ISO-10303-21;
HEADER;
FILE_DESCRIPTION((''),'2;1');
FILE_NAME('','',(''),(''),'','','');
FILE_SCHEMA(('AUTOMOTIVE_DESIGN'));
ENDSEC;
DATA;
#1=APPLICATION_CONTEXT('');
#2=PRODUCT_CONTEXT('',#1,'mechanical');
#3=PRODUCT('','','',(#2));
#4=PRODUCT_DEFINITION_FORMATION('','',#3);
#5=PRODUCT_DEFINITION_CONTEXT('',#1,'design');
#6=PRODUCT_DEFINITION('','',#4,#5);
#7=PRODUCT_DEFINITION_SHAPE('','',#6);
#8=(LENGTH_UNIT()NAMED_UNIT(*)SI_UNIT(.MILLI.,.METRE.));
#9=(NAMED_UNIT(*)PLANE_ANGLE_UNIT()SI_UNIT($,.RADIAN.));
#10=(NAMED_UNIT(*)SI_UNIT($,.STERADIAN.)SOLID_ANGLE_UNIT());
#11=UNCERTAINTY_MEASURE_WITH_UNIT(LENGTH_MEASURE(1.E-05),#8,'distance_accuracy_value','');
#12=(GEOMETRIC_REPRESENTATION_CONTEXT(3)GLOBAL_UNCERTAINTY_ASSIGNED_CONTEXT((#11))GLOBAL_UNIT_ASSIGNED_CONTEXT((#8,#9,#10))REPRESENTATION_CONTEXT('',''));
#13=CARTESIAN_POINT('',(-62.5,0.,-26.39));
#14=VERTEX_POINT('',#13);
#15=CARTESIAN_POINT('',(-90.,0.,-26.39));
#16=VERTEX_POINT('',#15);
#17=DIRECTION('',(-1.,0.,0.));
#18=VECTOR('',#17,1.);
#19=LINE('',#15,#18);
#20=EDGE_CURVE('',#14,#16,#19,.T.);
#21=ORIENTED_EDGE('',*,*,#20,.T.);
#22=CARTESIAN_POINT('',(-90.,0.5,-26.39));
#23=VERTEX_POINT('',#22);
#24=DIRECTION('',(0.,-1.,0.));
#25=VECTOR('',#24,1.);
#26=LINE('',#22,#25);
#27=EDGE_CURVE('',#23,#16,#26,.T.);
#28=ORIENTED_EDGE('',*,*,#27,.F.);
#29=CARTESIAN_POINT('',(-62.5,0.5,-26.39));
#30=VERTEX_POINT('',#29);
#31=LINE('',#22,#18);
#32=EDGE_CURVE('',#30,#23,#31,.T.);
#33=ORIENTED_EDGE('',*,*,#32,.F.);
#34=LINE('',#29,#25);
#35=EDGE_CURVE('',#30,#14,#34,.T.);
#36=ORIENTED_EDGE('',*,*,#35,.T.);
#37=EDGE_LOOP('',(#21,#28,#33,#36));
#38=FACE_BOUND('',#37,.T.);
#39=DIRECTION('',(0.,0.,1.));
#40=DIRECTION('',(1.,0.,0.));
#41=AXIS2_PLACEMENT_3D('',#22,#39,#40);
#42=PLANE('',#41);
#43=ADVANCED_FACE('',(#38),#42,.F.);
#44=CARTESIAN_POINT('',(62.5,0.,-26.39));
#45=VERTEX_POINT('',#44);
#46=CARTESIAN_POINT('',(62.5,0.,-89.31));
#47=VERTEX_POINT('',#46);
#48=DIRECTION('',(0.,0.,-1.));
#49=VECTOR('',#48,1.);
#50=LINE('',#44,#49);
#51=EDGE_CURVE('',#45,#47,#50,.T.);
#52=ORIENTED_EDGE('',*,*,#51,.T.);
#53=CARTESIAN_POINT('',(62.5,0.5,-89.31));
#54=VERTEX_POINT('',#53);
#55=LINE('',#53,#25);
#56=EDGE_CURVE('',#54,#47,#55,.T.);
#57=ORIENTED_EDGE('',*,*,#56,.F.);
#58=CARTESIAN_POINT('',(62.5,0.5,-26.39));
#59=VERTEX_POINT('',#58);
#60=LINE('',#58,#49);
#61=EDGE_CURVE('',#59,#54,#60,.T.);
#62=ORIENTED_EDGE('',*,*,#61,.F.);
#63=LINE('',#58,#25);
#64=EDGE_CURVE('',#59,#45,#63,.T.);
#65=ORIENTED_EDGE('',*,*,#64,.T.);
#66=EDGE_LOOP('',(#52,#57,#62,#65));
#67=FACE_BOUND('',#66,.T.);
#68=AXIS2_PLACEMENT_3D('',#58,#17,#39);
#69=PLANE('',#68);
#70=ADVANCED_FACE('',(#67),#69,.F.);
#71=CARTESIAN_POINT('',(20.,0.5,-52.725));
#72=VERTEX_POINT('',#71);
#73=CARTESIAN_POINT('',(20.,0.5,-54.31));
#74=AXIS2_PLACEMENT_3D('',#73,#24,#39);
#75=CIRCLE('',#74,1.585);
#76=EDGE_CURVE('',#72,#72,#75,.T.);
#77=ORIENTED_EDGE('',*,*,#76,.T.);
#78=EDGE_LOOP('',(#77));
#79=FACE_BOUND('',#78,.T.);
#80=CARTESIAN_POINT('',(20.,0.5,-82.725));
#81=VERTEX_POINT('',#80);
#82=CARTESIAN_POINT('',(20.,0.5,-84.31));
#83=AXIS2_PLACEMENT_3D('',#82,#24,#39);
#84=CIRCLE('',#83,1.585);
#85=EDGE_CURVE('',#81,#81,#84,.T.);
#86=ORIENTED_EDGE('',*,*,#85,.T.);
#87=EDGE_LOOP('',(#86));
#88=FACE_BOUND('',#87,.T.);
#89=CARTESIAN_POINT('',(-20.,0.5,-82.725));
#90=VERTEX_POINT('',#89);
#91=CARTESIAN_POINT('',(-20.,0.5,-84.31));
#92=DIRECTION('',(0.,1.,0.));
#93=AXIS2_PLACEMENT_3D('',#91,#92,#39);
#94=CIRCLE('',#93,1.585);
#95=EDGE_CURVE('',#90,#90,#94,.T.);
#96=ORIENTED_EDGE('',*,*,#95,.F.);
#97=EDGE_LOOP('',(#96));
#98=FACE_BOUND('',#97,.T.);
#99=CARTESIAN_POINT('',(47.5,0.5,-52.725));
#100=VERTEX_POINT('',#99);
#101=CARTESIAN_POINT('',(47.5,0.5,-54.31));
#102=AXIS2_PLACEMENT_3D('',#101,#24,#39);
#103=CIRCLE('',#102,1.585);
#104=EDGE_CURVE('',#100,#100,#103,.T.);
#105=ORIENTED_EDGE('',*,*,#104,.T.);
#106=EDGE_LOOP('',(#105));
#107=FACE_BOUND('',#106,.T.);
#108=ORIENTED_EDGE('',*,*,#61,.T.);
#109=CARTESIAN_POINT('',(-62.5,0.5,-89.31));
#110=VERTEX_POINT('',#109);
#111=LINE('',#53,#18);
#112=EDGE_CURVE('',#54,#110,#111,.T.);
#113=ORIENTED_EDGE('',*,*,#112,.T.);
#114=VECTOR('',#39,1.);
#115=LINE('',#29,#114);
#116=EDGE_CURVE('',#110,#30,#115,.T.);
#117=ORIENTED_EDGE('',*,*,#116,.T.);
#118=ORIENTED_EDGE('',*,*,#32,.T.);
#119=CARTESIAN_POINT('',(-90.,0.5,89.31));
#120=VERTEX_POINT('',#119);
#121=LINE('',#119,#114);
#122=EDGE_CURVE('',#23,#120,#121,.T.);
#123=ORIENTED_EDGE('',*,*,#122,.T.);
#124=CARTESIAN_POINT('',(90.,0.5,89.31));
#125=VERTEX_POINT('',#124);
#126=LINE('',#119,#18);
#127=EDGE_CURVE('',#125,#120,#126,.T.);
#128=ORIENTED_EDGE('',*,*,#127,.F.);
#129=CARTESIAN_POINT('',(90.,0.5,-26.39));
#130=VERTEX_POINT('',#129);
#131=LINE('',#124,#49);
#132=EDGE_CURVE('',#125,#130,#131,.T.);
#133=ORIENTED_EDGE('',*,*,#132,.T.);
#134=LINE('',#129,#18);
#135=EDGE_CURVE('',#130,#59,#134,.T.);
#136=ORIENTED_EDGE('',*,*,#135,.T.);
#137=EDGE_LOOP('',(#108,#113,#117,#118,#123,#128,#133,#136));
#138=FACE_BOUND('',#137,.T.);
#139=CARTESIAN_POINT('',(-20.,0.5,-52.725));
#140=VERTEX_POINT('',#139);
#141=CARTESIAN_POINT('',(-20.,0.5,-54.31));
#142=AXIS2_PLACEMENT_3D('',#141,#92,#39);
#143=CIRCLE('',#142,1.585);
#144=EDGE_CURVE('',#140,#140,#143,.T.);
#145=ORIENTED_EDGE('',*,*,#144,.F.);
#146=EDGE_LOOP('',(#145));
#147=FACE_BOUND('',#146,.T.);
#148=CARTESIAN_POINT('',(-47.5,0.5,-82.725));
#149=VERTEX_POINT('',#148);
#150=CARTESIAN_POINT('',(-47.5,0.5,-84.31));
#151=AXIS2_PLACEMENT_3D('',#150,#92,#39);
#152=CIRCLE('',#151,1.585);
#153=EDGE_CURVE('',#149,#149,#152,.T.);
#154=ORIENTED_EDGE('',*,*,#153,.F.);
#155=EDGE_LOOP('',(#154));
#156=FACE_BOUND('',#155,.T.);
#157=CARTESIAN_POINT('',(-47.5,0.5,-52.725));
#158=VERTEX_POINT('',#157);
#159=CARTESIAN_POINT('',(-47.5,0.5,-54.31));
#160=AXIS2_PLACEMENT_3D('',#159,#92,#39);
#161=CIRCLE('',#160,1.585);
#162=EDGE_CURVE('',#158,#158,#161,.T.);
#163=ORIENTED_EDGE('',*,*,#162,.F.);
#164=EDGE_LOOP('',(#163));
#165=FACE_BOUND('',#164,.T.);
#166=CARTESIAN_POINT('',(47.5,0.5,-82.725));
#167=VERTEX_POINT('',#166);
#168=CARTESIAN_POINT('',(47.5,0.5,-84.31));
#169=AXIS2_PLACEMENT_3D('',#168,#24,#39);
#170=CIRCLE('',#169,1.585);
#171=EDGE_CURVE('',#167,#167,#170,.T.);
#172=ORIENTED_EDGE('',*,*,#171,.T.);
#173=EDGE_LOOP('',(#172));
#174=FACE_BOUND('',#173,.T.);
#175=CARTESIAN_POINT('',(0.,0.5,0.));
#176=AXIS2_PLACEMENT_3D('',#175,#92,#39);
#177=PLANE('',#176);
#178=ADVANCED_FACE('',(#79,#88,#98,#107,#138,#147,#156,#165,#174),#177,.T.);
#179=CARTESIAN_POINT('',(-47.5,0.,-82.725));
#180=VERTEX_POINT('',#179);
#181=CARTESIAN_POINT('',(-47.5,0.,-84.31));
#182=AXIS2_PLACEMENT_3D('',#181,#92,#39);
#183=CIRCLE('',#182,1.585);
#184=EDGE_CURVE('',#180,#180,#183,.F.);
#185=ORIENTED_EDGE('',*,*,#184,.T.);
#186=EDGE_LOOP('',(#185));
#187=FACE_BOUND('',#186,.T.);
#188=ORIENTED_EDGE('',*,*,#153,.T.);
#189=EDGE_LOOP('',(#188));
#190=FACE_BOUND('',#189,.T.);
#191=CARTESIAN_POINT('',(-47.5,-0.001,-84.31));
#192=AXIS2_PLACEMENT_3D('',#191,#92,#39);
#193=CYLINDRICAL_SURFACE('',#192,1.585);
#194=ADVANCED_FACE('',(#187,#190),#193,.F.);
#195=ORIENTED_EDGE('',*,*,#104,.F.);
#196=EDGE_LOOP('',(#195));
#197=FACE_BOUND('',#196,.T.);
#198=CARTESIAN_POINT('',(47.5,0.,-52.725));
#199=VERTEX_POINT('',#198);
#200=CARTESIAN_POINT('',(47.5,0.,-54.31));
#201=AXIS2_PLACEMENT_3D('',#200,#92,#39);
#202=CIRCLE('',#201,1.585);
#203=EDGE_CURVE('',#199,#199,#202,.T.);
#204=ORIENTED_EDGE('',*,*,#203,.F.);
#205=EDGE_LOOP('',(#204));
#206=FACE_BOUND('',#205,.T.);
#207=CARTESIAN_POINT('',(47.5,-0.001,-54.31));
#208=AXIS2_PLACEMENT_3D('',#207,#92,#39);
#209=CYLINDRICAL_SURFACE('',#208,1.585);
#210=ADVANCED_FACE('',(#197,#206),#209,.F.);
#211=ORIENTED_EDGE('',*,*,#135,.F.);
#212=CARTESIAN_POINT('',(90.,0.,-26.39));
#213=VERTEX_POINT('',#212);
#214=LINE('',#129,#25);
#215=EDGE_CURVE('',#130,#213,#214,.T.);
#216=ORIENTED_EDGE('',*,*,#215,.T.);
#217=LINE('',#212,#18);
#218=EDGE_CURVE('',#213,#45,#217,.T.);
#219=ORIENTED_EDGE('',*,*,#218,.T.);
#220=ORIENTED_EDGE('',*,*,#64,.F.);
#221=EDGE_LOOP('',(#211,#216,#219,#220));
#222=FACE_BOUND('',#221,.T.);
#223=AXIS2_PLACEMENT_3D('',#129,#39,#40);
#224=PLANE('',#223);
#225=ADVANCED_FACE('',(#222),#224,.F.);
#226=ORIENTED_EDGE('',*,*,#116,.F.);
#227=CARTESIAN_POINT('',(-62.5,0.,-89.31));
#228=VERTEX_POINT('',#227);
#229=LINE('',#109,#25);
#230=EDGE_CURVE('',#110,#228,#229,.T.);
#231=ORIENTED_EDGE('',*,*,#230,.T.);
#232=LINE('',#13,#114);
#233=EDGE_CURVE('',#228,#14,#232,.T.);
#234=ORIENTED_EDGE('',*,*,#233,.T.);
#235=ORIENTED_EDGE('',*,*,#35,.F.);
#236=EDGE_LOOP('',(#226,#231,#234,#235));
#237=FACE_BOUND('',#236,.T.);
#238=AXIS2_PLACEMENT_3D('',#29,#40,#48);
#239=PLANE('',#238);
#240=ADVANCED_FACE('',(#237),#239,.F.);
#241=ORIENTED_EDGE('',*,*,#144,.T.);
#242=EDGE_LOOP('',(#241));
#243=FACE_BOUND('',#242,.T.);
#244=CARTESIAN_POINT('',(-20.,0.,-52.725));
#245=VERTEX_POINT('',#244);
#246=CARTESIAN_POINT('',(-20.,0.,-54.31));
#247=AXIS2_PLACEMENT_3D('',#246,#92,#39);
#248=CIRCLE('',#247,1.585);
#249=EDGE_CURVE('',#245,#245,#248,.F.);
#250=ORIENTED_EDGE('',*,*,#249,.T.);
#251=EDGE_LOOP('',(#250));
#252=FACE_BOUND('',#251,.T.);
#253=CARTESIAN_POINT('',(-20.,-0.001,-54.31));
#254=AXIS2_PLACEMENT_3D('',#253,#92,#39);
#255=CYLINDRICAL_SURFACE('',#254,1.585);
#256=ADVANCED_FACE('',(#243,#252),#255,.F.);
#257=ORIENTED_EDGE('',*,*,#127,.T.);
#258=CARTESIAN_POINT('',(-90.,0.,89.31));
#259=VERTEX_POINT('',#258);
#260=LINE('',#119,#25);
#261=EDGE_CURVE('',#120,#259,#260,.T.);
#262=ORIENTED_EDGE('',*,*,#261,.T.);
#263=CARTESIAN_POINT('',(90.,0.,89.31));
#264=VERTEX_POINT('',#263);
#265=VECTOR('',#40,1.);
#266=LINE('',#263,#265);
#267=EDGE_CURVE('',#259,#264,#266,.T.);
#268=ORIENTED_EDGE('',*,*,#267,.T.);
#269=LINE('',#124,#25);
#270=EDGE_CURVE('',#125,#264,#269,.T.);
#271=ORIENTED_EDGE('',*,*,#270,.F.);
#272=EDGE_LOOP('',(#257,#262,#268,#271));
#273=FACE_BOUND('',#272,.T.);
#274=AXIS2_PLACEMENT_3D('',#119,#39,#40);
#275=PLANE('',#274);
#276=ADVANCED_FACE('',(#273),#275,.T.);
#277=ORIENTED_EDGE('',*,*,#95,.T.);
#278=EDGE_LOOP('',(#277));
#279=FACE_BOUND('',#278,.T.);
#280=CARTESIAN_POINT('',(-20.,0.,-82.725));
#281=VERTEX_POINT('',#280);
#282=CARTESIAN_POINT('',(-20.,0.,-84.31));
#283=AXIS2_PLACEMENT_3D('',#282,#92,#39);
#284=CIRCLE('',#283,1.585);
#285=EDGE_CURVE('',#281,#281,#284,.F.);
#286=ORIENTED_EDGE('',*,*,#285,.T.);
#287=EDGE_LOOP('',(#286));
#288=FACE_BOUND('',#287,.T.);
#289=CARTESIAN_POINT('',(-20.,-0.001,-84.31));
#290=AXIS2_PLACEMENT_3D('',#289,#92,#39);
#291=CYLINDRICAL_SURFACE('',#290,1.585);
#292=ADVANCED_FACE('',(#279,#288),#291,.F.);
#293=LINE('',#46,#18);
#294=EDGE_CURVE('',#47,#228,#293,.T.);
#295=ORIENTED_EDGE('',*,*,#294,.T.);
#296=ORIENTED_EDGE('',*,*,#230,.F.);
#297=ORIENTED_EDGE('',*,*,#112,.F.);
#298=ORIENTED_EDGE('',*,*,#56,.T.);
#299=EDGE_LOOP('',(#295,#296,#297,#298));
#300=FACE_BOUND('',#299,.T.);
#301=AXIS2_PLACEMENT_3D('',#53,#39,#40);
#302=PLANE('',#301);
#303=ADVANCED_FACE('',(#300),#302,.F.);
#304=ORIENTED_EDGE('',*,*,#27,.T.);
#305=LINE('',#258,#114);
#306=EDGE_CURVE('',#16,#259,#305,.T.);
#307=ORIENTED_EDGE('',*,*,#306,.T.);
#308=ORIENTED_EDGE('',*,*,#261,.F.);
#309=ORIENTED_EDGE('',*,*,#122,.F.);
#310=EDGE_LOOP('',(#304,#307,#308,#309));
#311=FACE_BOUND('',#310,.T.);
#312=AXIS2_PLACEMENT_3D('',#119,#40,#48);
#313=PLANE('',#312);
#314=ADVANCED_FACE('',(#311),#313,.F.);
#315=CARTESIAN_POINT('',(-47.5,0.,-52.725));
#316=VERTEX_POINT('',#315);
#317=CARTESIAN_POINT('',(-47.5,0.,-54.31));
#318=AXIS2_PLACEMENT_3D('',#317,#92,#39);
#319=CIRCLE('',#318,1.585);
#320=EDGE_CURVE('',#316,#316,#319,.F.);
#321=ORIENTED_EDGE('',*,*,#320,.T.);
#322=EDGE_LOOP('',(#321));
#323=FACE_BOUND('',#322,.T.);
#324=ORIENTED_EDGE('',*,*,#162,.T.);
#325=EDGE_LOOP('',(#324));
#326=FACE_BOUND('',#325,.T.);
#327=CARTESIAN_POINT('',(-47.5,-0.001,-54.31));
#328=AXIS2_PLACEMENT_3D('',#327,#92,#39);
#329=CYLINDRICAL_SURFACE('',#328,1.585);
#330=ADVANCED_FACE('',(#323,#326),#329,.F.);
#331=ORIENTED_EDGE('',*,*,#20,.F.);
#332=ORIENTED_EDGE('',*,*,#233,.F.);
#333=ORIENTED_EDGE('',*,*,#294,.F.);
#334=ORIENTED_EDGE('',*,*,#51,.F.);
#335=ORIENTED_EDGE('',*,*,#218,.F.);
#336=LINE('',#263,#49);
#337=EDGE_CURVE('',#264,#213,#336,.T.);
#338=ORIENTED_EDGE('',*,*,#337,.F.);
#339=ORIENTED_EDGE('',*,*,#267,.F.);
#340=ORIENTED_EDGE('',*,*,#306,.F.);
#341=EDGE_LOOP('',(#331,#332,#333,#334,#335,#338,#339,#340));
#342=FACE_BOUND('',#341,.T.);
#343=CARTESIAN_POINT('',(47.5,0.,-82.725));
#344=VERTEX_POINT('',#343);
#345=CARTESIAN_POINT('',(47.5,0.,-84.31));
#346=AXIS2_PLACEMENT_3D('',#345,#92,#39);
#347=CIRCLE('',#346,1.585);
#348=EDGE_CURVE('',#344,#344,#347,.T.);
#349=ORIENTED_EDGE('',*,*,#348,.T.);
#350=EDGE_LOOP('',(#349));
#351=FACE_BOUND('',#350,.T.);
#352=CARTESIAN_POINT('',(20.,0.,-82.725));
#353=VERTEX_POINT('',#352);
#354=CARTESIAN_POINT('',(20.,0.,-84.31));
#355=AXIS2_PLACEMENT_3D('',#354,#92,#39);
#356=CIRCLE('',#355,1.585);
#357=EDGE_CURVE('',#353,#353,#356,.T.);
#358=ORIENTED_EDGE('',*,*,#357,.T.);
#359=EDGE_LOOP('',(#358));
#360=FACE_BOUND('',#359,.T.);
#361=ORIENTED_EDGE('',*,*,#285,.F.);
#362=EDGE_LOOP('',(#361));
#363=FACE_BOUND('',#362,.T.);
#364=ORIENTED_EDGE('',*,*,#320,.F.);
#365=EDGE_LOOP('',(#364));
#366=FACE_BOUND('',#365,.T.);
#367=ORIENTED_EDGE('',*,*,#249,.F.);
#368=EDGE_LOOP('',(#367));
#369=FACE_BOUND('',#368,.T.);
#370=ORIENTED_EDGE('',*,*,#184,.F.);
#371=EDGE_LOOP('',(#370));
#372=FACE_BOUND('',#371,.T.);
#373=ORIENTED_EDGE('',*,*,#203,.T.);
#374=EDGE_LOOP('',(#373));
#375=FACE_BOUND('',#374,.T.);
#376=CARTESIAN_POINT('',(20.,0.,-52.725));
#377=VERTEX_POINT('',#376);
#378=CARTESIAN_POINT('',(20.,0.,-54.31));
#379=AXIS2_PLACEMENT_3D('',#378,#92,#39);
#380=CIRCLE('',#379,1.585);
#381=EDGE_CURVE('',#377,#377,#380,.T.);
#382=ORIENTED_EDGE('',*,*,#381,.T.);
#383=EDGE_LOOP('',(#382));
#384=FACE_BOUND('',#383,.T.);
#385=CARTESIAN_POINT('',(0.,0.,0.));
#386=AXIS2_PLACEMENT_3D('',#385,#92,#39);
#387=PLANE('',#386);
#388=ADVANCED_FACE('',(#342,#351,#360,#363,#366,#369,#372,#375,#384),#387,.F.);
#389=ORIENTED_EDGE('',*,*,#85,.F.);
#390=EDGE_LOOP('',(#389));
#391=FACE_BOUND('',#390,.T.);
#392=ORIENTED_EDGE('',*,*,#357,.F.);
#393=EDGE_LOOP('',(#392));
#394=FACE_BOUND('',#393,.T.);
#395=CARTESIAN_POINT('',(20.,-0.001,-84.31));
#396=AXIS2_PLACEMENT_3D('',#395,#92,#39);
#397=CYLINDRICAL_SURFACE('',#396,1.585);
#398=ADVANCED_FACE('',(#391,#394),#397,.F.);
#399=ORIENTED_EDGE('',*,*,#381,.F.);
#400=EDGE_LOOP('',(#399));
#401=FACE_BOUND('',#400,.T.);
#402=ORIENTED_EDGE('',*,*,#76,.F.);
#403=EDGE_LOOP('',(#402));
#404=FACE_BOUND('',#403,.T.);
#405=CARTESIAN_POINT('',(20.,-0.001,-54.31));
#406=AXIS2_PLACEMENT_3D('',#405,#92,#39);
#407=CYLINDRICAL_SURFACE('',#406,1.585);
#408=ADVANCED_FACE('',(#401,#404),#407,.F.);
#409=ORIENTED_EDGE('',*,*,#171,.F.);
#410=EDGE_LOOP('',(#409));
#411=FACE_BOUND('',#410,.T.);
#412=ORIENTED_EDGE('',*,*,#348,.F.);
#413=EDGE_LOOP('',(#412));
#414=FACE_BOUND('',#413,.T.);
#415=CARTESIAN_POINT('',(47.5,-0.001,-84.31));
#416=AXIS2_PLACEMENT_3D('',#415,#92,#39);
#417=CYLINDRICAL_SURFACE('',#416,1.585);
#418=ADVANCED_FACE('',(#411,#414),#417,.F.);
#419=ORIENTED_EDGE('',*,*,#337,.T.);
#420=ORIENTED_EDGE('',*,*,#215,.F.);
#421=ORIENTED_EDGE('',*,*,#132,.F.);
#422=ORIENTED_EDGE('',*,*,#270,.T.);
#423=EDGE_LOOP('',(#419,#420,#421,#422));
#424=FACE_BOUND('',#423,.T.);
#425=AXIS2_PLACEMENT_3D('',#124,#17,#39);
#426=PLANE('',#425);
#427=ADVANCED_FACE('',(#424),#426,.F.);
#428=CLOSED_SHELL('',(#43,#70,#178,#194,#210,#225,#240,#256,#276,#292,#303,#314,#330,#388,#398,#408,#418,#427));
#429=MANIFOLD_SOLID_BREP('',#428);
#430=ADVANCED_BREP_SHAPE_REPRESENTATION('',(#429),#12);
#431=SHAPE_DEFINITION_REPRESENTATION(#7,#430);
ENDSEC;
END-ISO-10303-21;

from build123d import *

# Parameters (mm, degrees)
SALIENTE_EXTRUIR1_DEPTH = 0.5
CORTAR_EXTRUIR1_REACH   = 182
CROQUIS5_R              = 1.585
CORTAR_EXTRUIR3_DEPTH   = 0.5
CORTAR_EXTRUIR4_REACH   = 2.5
CROQUIS6_R              = 1.585
CORTAR_EXTRUIR5_REACH   = 2.5
CROQUIS7_R              = 1.585
CROQUIS8_R              = 1.585
CORTAR_EXTRUIR6_DEPTH   = 0.5


with BuildPart() as part:
    # Croquis2 → Saliente-Extruir1 (new body)
    with BuildSketch(Plane(origin=(0, 0, 0), x_dir=(1, 0, 0), z_dir=(0, 1, 0))):
        Polygon((-90, 26.39), (-62.5, 26.39), (-62.5, 89.31), (62.5, 89.31), (62.5, 26.39), (90, 26.39), (90, -89.31), (-90, -89.31), align=None)
    saliente_extruir1 = extrude(amount=SALIENTE_EXTRUIR1_DEPTH)

    # Croquis3 → Cortar-Extruir1 (cut, up to next)
    with BuildSketch(Plane(origin=(90, 0, 0), x_dir=(0, 0, -1), z_dir=(1, 0, 0)), mode=Mode.PRIVATE) as cortar_extruir1_sk1:
        Polygon((-89.31, 0), (-87.93626129, 0.5), (-89.31, 0.5), align=None)
    cortar_extruir1_tool1 = extrude(cortar_extruir1_sk1.sketch, amount=-CORTAR_EXTRUIR1_REACH, mode=Mode.PRIVATE) & part.part
    add(cortar_extruir1_tool1.solids().sort_by_distance((90, 0.333333, 88.852087))[0], mode=Mode.SUBTRACT)

    # Croquis5 → Cortar-Extruir3 (cut)
    with BuildSketch(Plane(origin=(0, 0.5, 0), x_dir=(1, 0, 0), z_dir=(0, 1, 0))):
        with Locations((74, -24.974980583)):
            Circle(CROQUIS5_R)
    cortar_extruir3 = extrude(amount=-CORTAR_EXTRUIR3_DEPTH, mode=Mode.SUBTRACT)

    # Simetría1: Cortar-Extruir3 across plane
    add(cortar_extruir3.mirror(Plane(origin=(0, 0, 0), x_dir=(0, 0, 1), z_dir=(1, 0, 0))), mode=Mode.SUBTRACT)

    # Croquis6 → Cortar-Extruir4 (cut, up to next)
    with BuildSketch(Plane(origin=(0, 0.5, 0), x_dir=(1, 0, 0), z_dir=(0, 1, 0)), mode=Mode.PRIVATE) as cortar_extruir4_sk1:
        with Locations((-56.5, 35.81)):
            Circle(CROQUIS6_R)
    cortar_extruir4_tool1 = extrude(cortar_extruir4_sk1.sketch, amount=-CORTAR_EXTRUIR4_REACH, mode=Mode.PRIVATE) & part.part
    add(cortar_extruir4_tool1.solids().sort_by_distance((-56.5, 0.5, -35.81))[0], mode=Mode.SUBTRACT)
    # Croquis6 → Cortar-Extruir4 (cut, up to next)
    with BuildSketch(Plane(origin=(0, 0.5, 0), x_dir=(1, 0, 0), z_dir=(0, 1, 0)), mode=Mode.PRIVATE) as cortar_extruir4_sk2:
        with Locations((-15.5, 35.81)):
            Circle(CROQUIS6_R)
    cortar_extruir4_tool2 = extrude(cortar_extruir4_sk2.sketch, amount=-CORTAR_EXTRUIR4_REACH, mode=Mode.PRIVATE) & part.part
    add(cortar_extruir4_tool2.solids().sort_by_distance((-15.5, 0.5, -35.81))[0], mode=Mode.SUBTRACT)
    # Croquis6 → Cortar-Extruir4 (cut, up to next)
    with BuildSketch(Plane(origin=(0, 0.5, 0), x_dir=(1, 0, 0), z_dir=(0, 1, 0)), mode=Mode.PRIVATE) as cortar_extruir4_sk3:
        with Locations((-15.5, 84.31)):
            Circle(CROQUIS6_R)
    cortar_extruir4_tool3 = extrude(cortar_extruir4_sk3.sketch, amount=-CORTAR_EXTRUIR4_REACH, mode=Mode.PRIVATE) & part.part
    add(cortar_extruir4_tool3.solids().sort_by_distance((-15.5, 0.5, -84.31))[0], mode=Mode.SUBTRACT)
    # Croquis6 → Cortar-Extruir4 (cut, up to next)
    with BuildSketch(Plane(origin=(0, 0.5, 0), x_dir=(1, 0, 0), z_dir=(0, 1, 0)), mode=Mode.PRIVATE) as cortar_extruir4_sk4:
        with Locations((-56.5, 84.31)):
            Circle(CROQUIS6_R)
    cortar_extruir4_tool4 = extrude(cortar_extruir4_sk4.sketch, amount=-CORTAR_EXTRUIR4_REACH, mode=Mode.PRIVATE) & part.part
    add(cortar_extruir4_tool4.solids().sort_by_distance((-56.5, 0.5, -84.31))[0], mode=Mode.SUBTRACT)

    # Croquis7 → Cortar-Extruir5 (cut, up to next)
    with BuildSketch(Plane(origin=(0, 0.5, 0), x_dir=(1, 0, 0), z_dir=(0, 1, 0)), mode=Mode.PRIVATE) as cortar_extruir5_sk1:
        with Locations((56.5, 35.81)):
            Circle(CROQUIS7_R)
    cortar_extruir5_tool1 = extrude(cortar_extruir5_sk1.sketch, amount=-CORTAR_EXTRUIR5_REACH, mode=Mode.PRIVATE) & part.part
    add(cortar_extruir5_tool1.solids().sort_by_distance((56.5, 0.5, -35.81))[0], mode=Mode.SUBTRACT)
    # Croquis7 → Cortar-Extruir5 (cut, up to next)
    with BuildSketch(Plane(origin=(0, 0.5, 0), x_dir=(1, 0, 0), z_dir=(0, 1, 0)), mode=Mode.PRIVATE) as cortar_extruir5_sk2:
        with Locations((15.5, 35.81)):
            Circle(CROQUIS7_R)
    cortar_extruir5_tool2 = extrude(cortar_extruir5_sk2.sketch, amount=-CORTAR_EXTRUIR5_REACH, mode=Mode.PRIVATE) & part.part
    add(cortar_extruir5_tool2.solids().sort_by_distance((15.5, 0.5, -35.81))[0], mode=Mode.SUBTRACT)
    # Croquis7 → Cortar-Extruir5 (cut, up to next)
    with BuildSketch(Plane(origin=(0, 0.5, 0), x_dir=(1, 0, 0), z_dir=(0, 1, 0)), mode=Mode.PRIVATE) as cortar_extruir5_sk3:
        with Locations((15.5, 84.31)):
            Circle(CROQUIS7_R)
    cortar_extruir5_tool3 = extrude(cortar_extruir5_sk3.sketch, amount=-CORTAR_EXTRUIR5_REACH, mode=Mode.PRIVATE) & part.part
    add(cortar_extruir5_tool3.solids().sort_by_distance((15.5, 0.5, -84.31))[0], mode=Mode.SUBTRACT)
    # Croquis7 → Cortar-Extruir5 (cut, up to next)
    with BuildSketch(Plane(origin=(0, 0.5, 0), x_dir=(1, 0, 0), z_dir=(0, 1, 0)), mode=Mode.PRIVATE) as cortar_extruir5_sk4:
        with Locations((56.5, 84.31)):
            Circle(CROQUIS7_R)
    cortar_extruir5_tool4 = extrude(cortar_extruir5_sk4.sketch, amount=-CORTAR_EXTRUIR5_REACH, mode=Mode.PRIVATE) & part.part
    add(cortar_extruir5_tool4.solids().sort_by_distance((56.5, 0.5, -84.31))[0], mode=Mode.SUBTRACT)

    # Simetría3: Saliente-Extruir1 across plane
    add(saliente_extruir1.mirror(Plane(origin=(0, 0, 0), x_dir=(0, 0, 1), z_dir=(1, 0, 0))))

    # Croquis8 → Cortar-Extruir6 (cut)
    with BuildSketch(Plane(origin=(0, 0.5, 0), x_dir=(1, 0, 0), z_dir=(0, 1, 0))):
        with Locations((-20, 54.31)):
            Circle(CROQUIS8_R)
        with Locations((-47.5, 54.31)):
            Circle(CROQUIS8_R)
        with Locations((-47.5, 84.31)):
            Circle(CROQUIS8_R)
        with Locations((-20, 84.31)):
            Circle(CROQUIS8_R)
    cortar_extruir6 = extrude(amount=-CORTAR_EXTRUIR6_DEPTH, mode=Mode.SUBTRACT)

    # Simetría4: Cortar-Extruir6 across plane
    add(cortar_extruir6.mirror(Plane(origin=(0, 0, 0), x_dir=(0, 0, 1), z_dir=(1, 0, 0))), mode=Mode.SUBTRACT)


solid = part.part
